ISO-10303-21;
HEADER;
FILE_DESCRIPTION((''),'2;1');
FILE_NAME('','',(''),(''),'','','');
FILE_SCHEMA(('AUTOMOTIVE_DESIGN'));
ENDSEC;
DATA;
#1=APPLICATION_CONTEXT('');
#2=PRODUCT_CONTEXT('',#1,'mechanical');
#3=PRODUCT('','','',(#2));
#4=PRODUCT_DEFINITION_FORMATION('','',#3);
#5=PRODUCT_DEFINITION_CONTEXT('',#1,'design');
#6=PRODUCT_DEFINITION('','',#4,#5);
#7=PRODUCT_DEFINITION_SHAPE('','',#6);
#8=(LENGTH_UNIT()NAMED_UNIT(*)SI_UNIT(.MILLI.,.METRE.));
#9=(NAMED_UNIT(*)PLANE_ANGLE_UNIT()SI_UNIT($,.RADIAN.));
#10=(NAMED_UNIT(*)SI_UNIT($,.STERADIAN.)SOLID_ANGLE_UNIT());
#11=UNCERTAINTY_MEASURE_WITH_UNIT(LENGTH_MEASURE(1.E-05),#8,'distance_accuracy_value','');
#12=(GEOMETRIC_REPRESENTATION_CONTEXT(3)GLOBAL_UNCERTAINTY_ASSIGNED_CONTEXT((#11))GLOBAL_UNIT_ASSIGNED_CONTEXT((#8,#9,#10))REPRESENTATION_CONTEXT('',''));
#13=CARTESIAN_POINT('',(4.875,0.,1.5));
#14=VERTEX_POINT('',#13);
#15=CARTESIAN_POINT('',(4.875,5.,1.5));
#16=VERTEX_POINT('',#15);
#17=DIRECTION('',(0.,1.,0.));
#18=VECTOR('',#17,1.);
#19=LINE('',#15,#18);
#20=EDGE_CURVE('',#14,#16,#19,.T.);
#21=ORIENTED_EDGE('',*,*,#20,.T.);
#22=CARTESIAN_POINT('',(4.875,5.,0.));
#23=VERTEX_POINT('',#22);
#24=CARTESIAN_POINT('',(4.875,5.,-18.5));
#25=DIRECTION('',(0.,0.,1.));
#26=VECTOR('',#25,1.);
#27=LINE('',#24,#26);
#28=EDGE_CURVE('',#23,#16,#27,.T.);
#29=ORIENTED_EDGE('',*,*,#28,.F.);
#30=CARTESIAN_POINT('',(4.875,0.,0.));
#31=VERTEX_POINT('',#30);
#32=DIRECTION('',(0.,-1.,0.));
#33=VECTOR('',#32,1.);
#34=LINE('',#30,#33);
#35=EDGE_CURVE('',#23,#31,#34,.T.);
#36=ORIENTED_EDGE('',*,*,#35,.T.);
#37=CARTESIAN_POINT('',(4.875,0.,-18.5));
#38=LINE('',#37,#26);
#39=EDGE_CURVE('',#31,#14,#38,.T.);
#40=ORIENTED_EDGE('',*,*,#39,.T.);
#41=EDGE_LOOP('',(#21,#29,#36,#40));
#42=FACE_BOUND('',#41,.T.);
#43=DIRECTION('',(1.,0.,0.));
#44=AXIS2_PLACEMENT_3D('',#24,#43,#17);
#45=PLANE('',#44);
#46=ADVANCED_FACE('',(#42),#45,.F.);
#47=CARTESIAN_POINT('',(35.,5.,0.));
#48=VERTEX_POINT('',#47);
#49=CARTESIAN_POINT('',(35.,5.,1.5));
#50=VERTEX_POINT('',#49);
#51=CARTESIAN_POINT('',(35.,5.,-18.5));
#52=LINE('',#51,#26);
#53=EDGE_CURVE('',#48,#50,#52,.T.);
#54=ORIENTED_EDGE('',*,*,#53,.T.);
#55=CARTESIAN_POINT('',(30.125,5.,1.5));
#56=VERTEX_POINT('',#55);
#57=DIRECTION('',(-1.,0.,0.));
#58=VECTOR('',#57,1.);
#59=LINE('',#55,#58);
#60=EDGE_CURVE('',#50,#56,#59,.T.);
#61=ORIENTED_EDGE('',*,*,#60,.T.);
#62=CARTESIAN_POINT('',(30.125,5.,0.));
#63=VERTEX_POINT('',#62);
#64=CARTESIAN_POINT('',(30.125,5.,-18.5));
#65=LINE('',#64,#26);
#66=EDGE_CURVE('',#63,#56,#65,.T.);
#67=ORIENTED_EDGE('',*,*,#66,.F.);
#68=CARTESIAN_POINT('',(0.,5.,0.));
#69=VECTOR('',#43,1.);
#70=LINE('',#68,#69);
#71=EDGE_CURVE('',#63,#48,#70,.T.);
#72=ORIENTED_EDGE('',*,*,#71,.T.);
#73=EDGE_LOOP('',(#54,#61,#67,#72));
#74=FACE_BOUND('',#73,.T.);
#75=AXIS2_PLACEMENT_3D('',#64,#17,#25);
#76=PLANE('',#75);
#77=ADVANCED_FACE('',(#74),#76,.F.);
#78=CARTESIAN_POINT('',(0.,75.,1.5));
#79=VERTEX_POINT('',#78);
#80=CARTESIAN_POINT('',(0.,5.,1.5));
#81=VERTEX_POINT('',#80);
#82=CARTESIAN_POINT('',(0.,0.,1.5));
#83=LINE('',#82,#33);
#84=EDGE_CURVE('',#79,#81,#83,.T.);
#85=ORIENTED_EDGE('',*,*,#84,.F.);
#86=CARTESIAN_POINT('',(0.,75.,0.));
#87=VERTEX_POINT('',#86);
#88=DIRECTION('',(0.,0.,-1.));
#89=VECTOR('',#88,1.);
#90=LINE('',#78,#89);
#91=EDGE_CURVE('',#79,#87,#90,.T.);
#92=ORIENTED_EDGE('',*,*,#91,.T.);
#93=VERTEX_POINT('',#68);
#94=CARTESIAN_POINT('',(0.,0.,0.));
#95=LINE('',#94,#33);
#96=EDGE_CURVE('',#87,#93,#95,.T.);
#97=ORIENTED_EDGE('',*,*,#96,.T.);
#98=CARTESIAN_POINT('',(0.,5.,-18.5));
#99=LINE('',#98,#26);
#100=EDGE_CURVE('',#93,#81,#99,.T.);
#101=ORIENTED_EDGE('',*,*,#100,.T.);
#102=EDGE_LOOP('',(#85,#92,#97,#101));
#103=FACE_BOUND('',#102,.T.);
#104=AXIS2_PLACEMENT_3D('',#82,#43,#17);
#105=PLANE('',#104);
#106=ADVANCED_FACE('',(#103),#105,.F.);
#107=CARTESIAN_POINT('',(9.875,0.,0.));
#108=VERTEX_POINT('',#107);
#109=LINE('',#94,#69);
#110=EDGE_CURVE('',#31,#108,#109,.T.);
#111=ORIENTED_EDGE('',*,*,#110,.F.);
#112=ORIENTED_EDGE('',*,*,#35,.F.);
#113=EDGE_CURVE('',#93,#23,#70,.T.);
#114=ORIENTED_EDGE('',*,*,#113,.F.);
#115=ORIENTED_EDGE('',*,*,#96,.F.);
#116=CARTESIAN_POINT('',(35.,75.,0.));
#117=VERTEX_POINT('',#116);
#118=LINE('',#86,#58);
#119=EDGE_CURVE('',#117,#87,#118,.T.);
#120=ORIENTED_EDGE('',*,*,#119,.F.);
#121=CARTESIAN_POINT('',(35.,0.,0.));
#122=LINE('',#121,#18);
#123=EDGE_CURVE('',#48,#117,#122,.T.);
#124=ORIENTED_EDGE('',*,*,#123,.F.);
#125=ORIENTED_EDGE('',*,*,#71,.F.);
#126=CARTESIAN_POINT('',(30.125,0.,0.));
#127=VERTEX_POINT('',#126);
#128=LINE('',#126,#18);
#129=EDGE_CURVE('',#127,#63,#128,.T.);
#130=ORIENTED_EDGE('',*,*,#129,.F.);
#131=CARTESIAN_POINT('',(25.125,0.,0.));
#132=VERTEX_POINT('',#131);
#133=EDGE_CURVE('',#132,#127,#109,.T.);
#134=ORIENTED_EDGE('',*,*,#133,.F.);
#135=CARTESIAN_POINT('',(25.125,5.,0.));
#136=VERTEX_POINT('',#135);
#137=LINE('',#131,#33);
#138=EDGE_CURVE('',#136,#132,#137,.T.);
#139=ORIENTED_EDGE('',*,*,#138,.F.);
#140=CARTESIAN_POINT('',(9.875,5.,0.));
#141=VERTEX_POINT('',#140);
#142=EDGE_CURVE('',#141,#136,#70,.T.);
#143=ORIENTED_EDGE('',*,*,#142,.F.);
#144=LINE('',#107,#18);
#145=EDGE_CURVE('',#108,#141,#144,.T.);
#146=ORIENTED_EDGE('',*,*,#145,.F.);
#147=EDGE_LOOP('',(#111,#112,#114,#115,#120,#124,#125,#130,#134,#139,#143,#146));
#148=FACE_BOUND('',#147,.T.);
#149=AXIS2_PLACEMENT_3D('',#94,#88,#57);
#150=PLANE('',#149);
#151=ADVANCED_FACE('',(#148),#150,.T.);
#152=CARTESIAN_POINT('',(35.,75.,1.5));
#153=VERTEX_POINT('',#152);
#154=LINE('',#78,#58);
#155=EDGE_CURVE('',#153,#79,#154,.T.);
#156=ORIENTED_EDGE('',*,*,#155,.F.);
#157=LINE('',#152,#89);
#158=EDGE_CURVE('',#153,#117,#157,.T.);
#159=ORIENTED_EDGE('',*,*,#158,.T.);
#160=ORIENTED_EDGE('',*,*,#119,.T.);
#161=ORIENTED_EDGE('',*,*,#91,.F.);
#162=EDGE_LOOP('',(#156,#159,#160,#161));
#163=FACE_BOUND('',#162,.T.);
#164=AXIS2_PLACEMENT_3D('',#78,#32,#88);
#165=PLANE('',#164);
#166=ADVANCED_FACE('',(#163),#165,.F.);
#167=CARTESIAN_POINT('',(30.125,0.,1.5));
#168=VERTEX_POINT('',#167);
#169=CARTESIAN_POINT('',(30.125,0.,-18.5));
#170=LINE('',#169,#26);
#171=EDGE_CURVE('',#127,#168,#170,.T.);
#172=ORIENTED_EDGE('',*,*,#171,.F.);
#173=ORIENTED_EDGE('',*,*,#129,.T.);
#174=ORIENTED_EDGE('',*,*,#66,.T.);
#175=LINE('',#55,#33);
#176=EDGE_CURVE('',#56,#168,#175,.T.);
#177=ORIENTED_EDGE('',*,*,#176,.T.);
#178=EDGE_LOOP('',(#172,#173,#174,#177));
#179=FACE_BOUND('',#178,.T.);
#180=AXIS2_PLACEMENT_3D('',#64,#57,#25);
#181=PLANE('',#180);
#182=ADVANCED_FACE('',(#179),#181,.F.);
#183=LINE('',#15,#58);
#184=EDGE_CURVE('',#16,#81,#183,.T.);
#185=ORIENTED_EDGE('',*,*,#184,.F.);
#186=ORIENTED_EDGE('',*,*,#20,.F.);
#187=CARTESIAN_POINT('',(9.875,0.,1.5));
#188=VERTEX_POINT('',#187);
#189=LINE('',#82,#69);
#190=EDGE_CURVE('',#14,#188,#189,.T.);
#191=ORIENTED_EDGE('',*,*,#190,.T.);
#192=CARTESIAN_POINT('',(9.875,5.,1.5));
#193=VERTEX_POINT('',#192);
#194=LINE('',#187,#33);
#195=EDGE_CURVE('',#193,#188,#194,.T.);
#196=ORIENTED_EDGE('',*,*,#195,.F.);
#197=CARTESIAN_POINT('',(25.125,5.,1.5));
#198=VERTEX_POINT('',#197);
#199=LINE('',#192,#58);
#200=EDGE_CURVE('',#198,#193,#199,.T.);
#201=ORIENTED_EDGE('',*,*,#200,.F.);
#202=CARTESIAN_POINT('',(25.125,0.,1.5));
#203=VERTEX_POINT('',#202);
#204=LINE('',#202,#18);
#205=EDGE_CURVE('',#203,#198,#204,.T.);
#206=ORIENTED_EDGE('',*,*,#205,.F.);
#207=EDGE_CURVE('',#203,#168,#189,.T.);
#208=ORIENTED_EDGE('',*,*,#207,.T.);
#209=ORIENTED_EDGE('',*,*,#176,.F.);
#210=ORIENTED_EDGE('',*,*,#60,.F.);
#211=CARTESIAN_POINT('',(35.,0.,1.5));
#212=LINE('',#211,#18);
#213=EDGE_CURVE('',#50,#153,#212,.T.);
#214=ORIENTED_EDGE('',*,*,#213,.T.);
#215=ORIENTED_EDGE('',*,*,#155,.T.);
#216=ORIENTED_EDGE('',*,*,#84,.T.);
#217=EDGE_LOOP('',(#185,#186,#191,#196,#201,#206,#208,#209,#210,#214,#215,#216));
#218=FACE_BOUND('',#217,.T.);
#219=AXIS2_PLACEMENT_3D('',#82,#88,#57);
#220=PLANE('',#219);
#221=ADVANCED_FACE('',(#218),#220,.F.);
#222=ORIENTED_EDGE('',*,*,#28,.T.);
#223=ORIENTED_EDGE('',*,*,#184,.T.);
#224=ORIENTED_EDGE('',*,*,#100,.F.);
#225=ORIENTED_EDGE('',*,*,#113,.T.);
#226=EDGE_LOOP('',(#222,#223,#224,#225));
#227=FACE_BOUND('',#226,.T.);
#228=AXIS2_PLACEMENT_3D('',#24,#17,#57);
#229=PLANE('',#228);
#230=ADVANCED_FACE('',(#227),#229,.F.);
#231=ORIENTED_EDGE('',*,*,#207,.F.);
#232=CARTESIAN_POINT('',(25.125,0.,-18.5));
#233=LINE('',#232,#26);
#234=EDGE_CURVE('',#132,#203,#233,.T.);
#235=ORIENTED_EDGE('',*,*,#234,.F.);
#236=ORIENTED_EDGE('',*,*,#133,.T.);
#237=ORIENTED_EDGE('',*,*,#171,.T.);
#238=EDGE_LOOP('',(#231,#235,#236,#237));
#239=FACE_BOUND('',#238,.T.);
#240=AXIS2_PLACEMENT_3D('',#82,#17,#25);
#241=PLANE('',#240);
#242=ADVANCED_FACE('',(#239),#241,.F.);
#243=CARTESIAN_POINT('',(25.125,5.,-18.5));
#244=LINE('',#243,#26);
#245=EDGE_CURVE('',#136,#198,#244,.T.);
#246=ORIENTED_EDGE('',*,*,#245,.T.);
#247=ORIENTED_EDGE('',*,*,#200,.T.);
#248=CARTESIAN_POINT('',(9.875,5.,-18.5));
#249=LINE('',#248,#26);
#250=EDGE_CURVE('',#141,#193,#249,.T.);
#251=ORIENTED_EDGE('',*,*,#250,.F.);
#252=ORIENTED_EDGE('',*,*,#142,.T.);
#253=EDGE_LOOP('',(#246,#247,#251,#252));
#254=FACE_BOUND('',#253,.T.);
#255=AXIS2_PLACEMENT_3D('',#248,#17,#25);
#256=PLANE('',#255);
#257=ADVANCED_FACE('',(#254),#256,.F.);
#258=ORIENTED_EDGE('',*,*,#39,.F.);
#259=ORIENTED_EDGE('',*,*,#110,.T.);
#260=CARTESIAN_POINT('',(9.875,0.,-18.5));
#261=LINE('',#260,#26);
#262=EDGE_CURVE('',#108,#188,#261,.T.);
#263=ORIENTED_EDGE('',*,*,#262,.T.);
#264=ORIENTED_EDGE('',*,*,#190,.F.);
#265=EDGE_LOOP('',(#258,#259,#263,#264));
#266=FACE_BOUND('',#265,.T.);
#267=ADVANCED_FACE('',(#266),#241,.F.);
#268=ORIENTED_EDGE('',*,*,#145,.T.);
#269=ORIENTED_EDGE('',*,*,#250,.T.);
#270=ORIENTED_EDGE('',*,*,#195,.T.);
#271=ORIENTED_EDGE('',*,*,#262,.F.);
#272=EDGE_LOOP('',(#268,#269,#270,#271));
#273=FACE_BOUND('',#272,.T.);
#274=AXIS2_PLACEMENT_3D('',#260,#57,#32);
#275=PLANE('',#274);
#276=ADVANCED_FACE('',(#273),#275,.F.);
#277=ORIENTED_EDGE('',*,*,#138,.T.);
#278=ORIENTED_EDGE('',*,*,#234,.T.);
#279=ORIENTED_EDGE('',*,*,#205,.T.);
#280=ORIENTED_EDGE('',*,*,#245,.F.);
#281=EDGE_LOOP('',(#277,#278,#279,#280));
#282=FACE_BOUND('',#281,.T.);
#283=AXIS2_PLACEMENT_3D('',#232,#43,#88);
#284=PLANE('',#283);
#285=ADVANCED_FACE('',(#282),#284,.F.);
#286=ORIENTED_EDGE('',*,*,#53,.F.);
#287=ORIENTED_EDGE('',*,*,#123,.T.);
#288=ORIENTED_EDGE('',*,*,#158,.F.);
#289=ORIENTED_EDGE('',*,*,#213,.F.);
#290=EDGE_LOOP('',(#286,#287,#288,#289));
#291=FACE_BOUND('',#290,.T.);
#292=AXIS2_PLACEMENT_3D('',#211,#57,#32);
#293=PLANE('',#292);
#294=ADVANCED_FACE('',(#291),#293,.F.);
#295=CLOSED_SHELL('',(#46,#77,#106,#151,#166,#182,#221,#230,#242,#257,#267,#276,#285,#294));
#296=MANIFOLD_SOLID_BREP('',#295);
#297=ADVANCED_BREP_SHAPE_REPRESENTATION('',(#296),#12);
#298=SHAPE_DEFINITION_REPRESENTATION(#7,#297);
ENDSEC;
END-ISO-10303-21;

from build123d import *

# Parameters (mm, degrees)
SKIZZE1_W                        = 35
SKIZZE1_H                        = 75
AUFSATZ_LINEAR_AUSTRAGEN1_DEPTH  = 1.5
SKIZZE3_W                        = 15.25
SKIZZE3_H                        = 5
SKIZZE3_W_2                      = 4.875
SCHNITT_LINEAR_AUSTRAGEN12_DEPTH = 20


with BuildPart() as part:
    # Skizze1 → Aufsatz-Linear austragen1 (new body)
    with BuildSketch(Plane.XY):
        with Locations((17.5, 37.5)):
            Rectangle(SKIZZE1_W, SKIZZE1_H)
    extrude(amount=AUFSATZ_LINEAR_AUSTRAGEN1_DEPTH)

    # Skizze3 → Schnitt-Linear austragen12 (cut)
    with BuildSketch(Plane.XY.offset(1.5)):
        with Locations((17.5, 2.5)):
            Rectangle(SKIZZE3_W, SKIZZE3_H)
        with Locations((32.5625, 2.5)):
            Rectangle(SKIZZE3_W_2, SKIZZE3_H)
        with Locations((2.4375, 2.5)):
            Rectangle(SKIZZE3_W_2, SKIZZE3_H)
    extrude(amount=-SCHNITT_LINEAR_AUSTRAGEN12_DEPTH, mode=Mode.SUBTRACT)


solid = part.part
